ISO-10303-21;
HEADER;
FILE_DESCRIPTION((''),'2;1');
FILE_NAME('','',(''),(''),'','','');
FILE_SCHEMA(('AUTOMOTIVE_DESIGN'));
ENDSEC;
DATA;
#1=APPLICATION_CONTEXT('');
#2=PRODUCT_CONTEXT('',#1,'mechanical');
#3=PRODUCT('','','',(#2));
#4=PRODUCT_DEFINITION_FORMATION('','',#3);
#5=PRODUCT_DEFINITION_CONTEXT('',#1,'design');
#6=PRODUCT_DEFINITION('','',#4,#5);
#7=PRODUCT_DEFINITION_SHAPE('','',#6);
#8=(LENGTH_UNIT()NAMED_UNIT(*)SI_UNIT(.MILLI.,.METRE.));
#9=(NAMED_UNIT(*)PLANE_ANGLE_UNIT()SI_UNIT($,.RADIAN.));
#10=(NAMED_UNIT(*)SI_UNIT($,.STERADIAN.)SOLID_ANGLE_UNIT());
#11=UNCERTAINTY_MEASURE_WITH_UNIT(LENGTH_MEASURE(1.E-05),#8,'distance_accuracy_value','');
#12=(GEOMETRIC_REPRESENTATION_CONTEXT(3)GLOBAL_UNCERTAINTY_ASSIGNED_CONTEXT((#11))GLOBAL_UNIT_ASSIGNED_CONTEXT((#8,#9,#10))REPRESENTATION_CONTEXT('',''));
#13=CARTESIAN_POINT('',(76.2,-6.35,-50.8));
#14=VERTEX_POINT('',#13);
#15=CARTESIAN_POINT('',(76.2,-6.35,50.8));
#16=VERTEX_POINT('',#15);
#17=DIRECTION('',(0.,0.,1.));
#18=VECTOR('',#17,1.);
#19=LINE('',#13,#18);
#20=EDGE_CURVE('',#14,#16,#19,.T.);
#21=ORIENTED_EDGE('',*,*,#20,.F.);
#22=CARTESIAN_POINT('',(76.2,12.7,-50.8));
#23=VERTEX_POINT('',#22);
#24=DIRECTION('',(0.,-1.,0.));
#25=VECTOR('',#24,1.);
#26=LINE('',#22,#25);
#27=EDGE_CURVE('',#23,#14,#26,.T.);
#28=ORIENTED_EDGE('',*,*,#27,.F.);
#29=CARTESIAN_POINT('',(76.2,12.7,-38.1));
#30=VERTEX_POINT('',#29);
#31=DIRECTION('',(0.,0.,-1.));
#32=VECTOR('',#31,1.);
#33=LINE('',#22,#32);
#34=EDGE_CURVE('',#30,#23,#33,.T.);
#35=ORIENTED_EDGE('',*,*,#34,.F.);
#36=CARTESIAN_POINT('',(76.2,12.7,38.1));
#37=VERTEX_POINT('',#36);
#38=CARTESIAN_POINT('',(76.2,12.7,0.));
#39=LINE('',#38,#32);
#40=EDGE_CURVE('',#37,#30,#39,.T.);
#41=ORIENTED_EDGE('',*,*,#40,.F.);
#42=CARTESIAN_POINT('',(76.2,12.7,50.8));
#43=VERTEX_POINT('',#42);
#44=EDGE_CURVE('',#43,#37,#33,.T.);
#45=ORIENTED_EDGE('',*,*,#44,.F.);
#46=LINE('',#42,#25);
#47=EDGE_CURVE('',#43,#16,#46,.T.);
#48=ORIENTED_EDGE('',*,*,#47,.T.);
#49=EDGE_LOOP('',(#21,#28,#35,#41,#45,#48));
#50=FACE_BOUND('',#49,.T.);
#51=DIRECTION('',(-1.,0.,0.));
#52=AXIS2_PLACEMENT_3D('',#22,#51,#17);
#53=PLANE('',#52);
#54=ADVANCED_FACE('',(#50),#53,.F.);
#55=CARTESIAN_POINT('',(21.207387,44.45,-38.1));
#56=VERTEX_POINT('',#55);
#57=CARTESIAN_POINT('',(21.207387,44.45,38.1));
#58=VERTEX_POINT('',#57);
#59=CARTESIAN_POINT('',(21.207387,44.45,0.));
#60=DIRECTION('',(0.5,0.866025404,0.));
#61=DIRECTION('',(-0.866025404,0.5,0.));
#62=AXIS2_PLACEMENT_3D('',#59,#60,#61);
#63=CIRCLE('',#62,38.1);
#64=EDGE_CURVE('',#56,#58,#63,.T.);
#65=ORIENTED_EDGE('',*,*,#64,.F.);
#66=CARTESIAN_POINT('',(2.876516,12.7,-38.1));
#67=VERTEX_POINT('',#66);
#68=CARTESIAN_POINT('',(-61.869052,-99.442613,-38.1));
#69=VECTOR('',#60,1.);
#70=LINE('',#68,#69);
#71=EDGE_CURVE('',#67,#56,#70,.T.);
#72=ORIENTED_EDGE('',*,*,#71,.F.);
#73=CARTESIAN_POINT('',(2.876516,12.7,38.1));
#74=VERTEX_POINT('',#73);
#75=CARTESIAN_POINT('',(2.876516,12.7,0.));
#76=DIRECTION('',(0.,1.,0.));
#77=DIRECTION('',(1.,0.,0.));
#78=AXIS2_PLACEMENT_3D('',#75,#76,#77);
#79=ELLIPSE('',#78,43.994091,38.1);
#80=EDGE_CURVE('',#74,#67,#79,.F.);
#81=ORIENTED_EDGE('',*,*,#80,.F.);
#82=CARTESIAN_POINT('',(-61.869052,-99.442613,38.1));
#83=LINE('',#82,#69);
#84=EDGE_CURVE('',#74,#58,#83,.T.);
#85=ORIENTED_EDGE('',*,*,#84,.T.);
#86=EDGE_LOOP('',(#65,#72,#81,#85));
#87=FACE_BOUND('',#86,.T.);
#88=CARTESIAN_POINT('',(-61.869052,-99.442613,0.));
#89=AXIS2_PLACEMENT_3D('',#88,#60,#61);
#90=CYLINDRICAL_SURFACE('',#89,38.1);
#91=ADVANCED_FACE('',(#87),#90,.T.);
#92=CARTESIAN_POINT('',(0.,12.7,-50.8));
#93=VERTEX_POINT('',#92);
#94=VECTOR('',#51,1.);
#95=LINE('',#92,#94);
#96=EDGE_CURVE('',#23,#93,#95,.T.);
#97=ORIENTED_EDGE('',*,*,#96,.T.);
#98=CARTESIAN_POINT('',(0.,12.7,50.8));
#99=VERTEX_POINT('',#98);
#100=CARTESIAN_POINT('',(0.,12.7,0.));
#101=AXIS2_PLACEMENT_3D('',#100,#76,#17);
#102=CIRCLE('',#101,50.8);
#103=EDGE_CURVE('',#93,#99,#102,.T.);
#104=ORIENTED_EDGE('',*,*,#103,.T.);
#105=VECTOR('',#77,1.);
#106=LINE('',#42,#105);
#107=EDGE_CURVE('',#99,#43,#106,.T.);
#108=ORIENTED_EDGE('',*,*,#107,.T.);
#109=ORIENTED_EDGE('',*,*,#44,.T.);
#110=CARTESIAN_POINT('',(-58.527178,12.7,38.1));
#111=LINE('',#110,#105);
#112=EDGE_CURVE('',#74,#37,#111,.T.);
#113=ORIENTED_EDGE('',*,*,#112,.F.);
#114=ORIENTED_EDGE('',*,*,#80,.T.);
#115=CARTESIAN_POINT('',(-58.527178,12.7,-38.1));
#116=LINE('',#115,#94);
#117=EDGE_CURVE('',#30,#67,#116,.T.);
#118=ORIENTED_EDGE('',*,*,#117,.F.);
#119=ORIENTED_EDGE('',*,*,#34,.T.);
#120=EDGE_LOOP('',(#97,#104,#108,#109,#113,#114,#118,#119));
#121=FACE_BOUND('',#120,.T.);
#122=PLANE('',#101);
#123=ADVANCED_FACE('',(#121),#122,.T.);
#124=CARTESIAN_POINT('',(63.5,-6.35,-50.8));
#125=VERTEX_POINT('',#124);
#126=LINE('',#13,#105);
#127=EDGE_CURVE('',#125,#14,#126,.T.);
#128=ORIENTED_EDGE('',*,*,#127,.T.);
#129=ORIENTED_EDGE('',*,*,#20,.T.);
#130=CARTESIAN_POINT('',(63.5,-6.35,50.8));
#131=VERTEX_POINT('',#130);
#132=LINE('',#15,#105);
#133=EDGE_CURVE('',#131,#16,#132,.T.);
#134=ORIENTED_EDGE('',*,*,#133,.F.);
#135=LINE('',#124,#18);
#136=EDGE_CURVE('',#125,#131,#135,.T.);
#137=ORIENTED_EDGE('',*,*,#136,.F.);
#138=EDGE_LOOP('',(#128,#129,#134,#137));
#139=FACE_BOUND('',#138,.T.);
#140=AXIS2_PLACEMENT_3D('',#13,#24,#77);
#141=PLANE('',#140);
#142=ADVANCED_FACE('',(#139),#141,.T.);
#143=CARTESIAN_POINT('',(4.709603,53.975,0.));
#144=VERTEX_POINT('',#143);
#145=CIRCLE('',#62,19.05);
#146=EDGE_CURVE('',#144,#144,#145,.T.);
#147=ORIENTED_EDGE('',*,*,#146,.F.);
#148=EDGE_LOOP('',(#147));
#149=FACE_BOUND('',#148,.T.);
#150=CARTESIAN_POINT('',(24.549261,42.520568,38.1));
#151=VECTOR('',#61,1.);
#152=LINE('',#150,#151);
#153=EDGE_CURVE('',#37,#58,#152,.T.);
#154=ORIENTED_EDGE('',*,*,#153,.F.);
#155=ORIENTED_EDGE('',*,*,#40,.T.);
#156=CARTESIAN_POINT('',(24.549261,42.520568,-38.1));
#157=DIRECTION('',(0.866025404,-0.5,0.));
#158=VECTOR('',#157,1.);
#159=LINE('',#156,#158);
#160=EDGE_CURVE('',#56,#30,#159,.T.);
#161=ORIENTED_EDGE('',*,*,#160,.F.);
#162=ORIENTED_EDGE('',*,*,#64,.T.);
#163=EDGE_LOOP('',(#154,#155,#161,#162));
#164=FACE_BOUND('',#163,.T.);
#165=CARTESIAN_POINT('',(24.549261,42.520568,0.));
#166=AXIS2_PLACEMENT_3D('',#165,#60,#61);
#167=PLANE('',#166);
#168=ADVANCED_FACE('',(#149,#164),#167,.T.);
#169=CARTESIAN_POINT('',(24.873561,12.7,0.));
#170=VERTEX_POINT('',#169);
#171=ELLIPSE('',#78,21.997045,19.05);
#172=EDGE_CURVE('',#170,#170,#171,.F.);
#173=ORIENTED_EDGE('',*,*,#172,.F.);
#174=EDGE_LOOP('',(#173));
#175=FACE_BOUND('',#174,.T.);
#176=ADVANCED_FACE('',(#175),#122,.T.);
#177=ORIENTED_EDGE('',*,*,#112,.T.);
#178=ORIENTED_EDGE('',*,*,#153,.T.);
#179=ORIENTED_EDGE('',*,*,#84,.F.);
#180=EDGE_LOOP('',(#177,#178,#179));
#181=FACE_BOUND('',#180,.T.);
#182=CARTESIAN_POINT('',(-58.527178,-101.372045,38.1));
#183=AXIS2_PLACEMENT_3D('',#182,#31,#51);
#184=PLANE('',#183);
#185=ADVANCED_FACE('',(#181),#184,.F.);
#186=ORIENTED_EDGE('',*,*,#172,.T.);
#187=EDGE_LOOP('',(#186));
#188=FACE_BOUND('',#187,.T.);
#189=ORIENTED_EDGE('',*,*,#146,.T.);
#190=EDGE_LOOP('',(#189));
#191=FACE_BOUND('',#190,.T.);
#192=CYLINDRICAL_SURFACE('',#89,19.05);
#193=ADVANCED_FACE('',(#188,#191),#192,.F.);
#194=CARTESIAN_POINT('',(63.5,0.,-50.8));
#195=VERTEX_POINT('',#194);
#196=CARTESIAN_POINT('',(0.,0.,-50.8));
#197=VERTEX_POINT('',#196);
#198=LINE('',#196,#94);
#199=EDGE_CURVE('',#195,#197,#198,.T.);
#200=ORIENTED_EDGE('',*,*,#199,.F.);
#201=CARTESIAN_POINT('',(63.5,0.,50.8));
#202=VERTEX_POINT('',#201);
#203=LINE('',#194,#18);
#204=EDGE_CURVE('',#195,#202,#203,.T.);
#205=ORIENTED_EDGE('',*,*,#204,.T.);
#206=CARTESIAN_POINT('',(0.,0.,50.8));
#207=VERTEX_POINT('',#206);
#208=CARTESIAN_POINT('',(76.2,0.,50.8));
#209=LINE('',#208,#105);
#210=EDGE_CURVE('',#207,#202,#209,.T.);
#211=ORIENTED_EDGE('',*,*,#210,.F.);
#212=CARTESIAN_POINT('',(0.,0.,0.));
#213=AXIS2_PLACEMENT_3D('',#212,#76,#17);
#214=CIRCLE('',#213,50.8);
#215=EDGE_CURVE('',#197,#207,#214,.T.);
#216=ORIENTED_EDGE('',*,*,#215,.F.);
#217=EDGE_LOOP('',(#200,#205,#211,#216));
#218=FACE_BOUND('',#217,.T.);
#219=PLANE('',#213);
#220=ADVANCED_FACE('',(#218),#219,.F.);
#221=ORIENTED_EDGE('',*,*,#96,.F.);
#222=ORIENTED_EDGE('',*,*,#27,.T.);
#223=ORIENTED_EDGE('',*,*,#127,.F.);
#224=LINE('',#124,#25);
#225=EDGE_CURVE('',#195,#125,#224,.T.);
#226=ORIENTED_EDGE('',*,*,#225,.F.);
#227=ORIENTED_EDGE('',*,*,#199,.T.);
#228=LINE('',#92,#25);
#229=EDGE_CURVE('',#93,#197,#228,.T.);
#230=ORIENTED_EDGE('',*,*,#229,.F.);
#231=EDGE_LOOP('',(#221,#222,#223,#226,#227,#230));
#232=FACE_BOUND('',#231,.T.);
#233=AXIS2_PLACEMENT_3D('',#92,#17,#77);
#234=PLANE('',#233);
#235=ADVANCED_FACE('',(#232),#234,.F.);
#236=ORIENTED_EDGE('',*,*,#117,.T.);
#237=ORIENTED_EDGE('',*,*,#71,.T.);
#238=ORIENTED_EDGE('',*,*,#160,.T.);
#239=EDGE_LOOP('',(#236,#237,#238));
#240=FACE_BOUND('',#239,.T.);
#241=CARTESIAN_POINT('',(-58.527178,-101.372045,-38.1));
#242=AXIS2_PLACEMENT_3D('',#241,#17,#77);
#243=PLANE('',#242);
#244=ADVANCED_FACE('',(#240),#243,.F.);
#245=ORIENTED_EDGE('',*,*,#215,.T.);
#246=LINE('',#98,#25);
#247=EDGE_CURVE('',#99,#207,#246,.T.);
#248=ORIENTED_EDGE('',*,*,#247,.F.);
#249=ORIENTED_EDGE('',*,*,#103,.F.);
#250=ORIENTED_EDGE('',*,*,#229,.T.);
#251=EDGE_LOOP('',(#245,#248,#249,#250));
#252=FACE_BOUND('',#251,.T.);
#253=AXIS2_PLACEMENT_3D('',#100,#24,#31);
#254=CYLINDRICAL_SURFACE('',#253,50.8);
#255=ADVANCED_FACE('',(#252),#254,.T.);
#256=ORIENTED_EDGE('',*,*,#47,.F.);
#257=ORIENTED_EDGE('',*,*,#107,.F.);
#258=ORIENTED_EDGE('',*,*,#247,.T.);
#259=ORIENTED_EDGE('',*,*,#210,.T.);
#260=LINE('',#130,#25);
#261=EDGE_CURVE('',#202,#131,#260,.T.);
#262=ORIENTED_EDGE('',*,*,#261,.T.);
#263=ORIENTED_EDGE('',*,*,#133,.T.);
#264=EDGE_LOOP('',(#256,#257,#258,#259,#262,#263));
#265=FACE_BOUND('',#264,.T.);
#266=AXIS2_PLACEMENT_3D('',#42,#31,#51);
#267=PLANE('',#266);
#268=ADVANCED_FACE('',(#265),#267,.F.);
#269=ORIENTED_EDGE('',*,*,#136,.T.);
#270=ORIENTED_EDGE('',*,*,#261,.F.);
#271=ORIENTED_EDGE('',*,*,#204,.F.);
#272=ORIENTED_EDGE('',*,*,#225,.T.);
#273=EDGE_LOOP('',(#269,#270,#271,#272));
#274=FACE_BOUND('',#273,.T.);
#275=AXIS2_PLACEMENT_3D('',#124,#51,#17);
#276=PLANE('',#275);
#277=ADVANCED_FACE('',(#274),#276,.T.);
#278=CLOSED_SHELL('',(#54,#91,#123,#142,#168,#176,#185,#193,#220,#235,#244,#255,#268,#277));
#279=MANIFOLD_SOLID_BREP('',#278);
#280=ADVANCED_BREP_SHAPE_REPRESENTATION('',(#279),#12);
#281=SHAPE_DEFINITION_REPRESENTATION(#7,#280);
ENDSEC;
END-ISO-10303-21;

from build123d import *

# Parameters (mm, degrees)
BOSS_EXTRUDE1_DEPTH = 12.7
SKETCH2_W           = 12.7
SKETCH2_H           = 6.35
BOSS_EXTRUDE2_DEPTH = 101.6
BOSS_EXTRUDE3_REACH = 105.182
SKETCH3_R           = 19.05


with BuildPart() as part:
    # Sketch1 → Boss-Extrude1 (new body)
    with BuildSketch(Plane(origin=(0, 0, 0), x_dir=(1, 0, 0), z_dir=(0, 1, 0))):
        with BuildLine():
            Line((0, 50.8), (76.2, 50.8))
            Line((76.2, 50.8), (76.2, -50.8))
            Line((76.2, -50.8), (0, -50.8))
            ThreePointArc((0, -50.8), (-50.8, 0), (0, 50.8))
        make_face()
    extrude(amount=BOSS_EXTRUDE1_DEPTH)

    # Sketch2 → Boss-Extrude2 (add)
    with BuildSketch(Plane.XY.offset(50.8)):
        with Locations((69.85, -3.175)):
            Rectangle(SKETCH2_W, SKETCH2_H)
    extrude(amount=-BOSS_EXTRUDE2_DEPTH)

    # Boss-Extrude3: up to this face of the body (flat: up to its plane)
    boss_extrude3_end = Plane(part.part.faces().sort_by_distance((17.597225425, 12.7, 0))[0])
    # Sketch3 → Boss-Extrude3 (add, up to the picked face)
    with BuildSketch(Plane(origin=(24.549261314, 42.520567884, 0), x_dir=(0, 0, -1), z_dir=(0.500000000000001, 0.866025403784438, 0)), mode=Mode.PRIVATE) as boss_extrude3_sk1:
        with BuildLine():
            Line((-38.1, 3.858864232), (-38.1, -59.641135768))
            Line((-38.1, -59.641135768), (38.1, -59.641135768))
            Line((38.1, -59.641135768), (38.1, 3.858864232))
            ThreePointArc((38.1, 3.858864232), (0, 41.958864232), (-38.1, 3.858864232))
        make_face()
        with Locations((0, 3.858864232)):
            Circle(SKETCH3_R, mode=Mode.SUBTRACT)
    boss_extrude3_tool1 = split(extrude(boss_extrude3_sk1.sketch, amount=-BOSS_EXTRUDE3_REACH, mode=Mode.PRIVATE), bisect_by=boss_extrude3_end, keep=Keep.BOTH, mode=Mode.PRIVATE)
    add(boss_extrude3_tool1.solids().sort_by(Axis((38.119708, 34.685667, 0), (-0.500000000000001, -0.866025403784438, 0)))[0])


solid = part.part
